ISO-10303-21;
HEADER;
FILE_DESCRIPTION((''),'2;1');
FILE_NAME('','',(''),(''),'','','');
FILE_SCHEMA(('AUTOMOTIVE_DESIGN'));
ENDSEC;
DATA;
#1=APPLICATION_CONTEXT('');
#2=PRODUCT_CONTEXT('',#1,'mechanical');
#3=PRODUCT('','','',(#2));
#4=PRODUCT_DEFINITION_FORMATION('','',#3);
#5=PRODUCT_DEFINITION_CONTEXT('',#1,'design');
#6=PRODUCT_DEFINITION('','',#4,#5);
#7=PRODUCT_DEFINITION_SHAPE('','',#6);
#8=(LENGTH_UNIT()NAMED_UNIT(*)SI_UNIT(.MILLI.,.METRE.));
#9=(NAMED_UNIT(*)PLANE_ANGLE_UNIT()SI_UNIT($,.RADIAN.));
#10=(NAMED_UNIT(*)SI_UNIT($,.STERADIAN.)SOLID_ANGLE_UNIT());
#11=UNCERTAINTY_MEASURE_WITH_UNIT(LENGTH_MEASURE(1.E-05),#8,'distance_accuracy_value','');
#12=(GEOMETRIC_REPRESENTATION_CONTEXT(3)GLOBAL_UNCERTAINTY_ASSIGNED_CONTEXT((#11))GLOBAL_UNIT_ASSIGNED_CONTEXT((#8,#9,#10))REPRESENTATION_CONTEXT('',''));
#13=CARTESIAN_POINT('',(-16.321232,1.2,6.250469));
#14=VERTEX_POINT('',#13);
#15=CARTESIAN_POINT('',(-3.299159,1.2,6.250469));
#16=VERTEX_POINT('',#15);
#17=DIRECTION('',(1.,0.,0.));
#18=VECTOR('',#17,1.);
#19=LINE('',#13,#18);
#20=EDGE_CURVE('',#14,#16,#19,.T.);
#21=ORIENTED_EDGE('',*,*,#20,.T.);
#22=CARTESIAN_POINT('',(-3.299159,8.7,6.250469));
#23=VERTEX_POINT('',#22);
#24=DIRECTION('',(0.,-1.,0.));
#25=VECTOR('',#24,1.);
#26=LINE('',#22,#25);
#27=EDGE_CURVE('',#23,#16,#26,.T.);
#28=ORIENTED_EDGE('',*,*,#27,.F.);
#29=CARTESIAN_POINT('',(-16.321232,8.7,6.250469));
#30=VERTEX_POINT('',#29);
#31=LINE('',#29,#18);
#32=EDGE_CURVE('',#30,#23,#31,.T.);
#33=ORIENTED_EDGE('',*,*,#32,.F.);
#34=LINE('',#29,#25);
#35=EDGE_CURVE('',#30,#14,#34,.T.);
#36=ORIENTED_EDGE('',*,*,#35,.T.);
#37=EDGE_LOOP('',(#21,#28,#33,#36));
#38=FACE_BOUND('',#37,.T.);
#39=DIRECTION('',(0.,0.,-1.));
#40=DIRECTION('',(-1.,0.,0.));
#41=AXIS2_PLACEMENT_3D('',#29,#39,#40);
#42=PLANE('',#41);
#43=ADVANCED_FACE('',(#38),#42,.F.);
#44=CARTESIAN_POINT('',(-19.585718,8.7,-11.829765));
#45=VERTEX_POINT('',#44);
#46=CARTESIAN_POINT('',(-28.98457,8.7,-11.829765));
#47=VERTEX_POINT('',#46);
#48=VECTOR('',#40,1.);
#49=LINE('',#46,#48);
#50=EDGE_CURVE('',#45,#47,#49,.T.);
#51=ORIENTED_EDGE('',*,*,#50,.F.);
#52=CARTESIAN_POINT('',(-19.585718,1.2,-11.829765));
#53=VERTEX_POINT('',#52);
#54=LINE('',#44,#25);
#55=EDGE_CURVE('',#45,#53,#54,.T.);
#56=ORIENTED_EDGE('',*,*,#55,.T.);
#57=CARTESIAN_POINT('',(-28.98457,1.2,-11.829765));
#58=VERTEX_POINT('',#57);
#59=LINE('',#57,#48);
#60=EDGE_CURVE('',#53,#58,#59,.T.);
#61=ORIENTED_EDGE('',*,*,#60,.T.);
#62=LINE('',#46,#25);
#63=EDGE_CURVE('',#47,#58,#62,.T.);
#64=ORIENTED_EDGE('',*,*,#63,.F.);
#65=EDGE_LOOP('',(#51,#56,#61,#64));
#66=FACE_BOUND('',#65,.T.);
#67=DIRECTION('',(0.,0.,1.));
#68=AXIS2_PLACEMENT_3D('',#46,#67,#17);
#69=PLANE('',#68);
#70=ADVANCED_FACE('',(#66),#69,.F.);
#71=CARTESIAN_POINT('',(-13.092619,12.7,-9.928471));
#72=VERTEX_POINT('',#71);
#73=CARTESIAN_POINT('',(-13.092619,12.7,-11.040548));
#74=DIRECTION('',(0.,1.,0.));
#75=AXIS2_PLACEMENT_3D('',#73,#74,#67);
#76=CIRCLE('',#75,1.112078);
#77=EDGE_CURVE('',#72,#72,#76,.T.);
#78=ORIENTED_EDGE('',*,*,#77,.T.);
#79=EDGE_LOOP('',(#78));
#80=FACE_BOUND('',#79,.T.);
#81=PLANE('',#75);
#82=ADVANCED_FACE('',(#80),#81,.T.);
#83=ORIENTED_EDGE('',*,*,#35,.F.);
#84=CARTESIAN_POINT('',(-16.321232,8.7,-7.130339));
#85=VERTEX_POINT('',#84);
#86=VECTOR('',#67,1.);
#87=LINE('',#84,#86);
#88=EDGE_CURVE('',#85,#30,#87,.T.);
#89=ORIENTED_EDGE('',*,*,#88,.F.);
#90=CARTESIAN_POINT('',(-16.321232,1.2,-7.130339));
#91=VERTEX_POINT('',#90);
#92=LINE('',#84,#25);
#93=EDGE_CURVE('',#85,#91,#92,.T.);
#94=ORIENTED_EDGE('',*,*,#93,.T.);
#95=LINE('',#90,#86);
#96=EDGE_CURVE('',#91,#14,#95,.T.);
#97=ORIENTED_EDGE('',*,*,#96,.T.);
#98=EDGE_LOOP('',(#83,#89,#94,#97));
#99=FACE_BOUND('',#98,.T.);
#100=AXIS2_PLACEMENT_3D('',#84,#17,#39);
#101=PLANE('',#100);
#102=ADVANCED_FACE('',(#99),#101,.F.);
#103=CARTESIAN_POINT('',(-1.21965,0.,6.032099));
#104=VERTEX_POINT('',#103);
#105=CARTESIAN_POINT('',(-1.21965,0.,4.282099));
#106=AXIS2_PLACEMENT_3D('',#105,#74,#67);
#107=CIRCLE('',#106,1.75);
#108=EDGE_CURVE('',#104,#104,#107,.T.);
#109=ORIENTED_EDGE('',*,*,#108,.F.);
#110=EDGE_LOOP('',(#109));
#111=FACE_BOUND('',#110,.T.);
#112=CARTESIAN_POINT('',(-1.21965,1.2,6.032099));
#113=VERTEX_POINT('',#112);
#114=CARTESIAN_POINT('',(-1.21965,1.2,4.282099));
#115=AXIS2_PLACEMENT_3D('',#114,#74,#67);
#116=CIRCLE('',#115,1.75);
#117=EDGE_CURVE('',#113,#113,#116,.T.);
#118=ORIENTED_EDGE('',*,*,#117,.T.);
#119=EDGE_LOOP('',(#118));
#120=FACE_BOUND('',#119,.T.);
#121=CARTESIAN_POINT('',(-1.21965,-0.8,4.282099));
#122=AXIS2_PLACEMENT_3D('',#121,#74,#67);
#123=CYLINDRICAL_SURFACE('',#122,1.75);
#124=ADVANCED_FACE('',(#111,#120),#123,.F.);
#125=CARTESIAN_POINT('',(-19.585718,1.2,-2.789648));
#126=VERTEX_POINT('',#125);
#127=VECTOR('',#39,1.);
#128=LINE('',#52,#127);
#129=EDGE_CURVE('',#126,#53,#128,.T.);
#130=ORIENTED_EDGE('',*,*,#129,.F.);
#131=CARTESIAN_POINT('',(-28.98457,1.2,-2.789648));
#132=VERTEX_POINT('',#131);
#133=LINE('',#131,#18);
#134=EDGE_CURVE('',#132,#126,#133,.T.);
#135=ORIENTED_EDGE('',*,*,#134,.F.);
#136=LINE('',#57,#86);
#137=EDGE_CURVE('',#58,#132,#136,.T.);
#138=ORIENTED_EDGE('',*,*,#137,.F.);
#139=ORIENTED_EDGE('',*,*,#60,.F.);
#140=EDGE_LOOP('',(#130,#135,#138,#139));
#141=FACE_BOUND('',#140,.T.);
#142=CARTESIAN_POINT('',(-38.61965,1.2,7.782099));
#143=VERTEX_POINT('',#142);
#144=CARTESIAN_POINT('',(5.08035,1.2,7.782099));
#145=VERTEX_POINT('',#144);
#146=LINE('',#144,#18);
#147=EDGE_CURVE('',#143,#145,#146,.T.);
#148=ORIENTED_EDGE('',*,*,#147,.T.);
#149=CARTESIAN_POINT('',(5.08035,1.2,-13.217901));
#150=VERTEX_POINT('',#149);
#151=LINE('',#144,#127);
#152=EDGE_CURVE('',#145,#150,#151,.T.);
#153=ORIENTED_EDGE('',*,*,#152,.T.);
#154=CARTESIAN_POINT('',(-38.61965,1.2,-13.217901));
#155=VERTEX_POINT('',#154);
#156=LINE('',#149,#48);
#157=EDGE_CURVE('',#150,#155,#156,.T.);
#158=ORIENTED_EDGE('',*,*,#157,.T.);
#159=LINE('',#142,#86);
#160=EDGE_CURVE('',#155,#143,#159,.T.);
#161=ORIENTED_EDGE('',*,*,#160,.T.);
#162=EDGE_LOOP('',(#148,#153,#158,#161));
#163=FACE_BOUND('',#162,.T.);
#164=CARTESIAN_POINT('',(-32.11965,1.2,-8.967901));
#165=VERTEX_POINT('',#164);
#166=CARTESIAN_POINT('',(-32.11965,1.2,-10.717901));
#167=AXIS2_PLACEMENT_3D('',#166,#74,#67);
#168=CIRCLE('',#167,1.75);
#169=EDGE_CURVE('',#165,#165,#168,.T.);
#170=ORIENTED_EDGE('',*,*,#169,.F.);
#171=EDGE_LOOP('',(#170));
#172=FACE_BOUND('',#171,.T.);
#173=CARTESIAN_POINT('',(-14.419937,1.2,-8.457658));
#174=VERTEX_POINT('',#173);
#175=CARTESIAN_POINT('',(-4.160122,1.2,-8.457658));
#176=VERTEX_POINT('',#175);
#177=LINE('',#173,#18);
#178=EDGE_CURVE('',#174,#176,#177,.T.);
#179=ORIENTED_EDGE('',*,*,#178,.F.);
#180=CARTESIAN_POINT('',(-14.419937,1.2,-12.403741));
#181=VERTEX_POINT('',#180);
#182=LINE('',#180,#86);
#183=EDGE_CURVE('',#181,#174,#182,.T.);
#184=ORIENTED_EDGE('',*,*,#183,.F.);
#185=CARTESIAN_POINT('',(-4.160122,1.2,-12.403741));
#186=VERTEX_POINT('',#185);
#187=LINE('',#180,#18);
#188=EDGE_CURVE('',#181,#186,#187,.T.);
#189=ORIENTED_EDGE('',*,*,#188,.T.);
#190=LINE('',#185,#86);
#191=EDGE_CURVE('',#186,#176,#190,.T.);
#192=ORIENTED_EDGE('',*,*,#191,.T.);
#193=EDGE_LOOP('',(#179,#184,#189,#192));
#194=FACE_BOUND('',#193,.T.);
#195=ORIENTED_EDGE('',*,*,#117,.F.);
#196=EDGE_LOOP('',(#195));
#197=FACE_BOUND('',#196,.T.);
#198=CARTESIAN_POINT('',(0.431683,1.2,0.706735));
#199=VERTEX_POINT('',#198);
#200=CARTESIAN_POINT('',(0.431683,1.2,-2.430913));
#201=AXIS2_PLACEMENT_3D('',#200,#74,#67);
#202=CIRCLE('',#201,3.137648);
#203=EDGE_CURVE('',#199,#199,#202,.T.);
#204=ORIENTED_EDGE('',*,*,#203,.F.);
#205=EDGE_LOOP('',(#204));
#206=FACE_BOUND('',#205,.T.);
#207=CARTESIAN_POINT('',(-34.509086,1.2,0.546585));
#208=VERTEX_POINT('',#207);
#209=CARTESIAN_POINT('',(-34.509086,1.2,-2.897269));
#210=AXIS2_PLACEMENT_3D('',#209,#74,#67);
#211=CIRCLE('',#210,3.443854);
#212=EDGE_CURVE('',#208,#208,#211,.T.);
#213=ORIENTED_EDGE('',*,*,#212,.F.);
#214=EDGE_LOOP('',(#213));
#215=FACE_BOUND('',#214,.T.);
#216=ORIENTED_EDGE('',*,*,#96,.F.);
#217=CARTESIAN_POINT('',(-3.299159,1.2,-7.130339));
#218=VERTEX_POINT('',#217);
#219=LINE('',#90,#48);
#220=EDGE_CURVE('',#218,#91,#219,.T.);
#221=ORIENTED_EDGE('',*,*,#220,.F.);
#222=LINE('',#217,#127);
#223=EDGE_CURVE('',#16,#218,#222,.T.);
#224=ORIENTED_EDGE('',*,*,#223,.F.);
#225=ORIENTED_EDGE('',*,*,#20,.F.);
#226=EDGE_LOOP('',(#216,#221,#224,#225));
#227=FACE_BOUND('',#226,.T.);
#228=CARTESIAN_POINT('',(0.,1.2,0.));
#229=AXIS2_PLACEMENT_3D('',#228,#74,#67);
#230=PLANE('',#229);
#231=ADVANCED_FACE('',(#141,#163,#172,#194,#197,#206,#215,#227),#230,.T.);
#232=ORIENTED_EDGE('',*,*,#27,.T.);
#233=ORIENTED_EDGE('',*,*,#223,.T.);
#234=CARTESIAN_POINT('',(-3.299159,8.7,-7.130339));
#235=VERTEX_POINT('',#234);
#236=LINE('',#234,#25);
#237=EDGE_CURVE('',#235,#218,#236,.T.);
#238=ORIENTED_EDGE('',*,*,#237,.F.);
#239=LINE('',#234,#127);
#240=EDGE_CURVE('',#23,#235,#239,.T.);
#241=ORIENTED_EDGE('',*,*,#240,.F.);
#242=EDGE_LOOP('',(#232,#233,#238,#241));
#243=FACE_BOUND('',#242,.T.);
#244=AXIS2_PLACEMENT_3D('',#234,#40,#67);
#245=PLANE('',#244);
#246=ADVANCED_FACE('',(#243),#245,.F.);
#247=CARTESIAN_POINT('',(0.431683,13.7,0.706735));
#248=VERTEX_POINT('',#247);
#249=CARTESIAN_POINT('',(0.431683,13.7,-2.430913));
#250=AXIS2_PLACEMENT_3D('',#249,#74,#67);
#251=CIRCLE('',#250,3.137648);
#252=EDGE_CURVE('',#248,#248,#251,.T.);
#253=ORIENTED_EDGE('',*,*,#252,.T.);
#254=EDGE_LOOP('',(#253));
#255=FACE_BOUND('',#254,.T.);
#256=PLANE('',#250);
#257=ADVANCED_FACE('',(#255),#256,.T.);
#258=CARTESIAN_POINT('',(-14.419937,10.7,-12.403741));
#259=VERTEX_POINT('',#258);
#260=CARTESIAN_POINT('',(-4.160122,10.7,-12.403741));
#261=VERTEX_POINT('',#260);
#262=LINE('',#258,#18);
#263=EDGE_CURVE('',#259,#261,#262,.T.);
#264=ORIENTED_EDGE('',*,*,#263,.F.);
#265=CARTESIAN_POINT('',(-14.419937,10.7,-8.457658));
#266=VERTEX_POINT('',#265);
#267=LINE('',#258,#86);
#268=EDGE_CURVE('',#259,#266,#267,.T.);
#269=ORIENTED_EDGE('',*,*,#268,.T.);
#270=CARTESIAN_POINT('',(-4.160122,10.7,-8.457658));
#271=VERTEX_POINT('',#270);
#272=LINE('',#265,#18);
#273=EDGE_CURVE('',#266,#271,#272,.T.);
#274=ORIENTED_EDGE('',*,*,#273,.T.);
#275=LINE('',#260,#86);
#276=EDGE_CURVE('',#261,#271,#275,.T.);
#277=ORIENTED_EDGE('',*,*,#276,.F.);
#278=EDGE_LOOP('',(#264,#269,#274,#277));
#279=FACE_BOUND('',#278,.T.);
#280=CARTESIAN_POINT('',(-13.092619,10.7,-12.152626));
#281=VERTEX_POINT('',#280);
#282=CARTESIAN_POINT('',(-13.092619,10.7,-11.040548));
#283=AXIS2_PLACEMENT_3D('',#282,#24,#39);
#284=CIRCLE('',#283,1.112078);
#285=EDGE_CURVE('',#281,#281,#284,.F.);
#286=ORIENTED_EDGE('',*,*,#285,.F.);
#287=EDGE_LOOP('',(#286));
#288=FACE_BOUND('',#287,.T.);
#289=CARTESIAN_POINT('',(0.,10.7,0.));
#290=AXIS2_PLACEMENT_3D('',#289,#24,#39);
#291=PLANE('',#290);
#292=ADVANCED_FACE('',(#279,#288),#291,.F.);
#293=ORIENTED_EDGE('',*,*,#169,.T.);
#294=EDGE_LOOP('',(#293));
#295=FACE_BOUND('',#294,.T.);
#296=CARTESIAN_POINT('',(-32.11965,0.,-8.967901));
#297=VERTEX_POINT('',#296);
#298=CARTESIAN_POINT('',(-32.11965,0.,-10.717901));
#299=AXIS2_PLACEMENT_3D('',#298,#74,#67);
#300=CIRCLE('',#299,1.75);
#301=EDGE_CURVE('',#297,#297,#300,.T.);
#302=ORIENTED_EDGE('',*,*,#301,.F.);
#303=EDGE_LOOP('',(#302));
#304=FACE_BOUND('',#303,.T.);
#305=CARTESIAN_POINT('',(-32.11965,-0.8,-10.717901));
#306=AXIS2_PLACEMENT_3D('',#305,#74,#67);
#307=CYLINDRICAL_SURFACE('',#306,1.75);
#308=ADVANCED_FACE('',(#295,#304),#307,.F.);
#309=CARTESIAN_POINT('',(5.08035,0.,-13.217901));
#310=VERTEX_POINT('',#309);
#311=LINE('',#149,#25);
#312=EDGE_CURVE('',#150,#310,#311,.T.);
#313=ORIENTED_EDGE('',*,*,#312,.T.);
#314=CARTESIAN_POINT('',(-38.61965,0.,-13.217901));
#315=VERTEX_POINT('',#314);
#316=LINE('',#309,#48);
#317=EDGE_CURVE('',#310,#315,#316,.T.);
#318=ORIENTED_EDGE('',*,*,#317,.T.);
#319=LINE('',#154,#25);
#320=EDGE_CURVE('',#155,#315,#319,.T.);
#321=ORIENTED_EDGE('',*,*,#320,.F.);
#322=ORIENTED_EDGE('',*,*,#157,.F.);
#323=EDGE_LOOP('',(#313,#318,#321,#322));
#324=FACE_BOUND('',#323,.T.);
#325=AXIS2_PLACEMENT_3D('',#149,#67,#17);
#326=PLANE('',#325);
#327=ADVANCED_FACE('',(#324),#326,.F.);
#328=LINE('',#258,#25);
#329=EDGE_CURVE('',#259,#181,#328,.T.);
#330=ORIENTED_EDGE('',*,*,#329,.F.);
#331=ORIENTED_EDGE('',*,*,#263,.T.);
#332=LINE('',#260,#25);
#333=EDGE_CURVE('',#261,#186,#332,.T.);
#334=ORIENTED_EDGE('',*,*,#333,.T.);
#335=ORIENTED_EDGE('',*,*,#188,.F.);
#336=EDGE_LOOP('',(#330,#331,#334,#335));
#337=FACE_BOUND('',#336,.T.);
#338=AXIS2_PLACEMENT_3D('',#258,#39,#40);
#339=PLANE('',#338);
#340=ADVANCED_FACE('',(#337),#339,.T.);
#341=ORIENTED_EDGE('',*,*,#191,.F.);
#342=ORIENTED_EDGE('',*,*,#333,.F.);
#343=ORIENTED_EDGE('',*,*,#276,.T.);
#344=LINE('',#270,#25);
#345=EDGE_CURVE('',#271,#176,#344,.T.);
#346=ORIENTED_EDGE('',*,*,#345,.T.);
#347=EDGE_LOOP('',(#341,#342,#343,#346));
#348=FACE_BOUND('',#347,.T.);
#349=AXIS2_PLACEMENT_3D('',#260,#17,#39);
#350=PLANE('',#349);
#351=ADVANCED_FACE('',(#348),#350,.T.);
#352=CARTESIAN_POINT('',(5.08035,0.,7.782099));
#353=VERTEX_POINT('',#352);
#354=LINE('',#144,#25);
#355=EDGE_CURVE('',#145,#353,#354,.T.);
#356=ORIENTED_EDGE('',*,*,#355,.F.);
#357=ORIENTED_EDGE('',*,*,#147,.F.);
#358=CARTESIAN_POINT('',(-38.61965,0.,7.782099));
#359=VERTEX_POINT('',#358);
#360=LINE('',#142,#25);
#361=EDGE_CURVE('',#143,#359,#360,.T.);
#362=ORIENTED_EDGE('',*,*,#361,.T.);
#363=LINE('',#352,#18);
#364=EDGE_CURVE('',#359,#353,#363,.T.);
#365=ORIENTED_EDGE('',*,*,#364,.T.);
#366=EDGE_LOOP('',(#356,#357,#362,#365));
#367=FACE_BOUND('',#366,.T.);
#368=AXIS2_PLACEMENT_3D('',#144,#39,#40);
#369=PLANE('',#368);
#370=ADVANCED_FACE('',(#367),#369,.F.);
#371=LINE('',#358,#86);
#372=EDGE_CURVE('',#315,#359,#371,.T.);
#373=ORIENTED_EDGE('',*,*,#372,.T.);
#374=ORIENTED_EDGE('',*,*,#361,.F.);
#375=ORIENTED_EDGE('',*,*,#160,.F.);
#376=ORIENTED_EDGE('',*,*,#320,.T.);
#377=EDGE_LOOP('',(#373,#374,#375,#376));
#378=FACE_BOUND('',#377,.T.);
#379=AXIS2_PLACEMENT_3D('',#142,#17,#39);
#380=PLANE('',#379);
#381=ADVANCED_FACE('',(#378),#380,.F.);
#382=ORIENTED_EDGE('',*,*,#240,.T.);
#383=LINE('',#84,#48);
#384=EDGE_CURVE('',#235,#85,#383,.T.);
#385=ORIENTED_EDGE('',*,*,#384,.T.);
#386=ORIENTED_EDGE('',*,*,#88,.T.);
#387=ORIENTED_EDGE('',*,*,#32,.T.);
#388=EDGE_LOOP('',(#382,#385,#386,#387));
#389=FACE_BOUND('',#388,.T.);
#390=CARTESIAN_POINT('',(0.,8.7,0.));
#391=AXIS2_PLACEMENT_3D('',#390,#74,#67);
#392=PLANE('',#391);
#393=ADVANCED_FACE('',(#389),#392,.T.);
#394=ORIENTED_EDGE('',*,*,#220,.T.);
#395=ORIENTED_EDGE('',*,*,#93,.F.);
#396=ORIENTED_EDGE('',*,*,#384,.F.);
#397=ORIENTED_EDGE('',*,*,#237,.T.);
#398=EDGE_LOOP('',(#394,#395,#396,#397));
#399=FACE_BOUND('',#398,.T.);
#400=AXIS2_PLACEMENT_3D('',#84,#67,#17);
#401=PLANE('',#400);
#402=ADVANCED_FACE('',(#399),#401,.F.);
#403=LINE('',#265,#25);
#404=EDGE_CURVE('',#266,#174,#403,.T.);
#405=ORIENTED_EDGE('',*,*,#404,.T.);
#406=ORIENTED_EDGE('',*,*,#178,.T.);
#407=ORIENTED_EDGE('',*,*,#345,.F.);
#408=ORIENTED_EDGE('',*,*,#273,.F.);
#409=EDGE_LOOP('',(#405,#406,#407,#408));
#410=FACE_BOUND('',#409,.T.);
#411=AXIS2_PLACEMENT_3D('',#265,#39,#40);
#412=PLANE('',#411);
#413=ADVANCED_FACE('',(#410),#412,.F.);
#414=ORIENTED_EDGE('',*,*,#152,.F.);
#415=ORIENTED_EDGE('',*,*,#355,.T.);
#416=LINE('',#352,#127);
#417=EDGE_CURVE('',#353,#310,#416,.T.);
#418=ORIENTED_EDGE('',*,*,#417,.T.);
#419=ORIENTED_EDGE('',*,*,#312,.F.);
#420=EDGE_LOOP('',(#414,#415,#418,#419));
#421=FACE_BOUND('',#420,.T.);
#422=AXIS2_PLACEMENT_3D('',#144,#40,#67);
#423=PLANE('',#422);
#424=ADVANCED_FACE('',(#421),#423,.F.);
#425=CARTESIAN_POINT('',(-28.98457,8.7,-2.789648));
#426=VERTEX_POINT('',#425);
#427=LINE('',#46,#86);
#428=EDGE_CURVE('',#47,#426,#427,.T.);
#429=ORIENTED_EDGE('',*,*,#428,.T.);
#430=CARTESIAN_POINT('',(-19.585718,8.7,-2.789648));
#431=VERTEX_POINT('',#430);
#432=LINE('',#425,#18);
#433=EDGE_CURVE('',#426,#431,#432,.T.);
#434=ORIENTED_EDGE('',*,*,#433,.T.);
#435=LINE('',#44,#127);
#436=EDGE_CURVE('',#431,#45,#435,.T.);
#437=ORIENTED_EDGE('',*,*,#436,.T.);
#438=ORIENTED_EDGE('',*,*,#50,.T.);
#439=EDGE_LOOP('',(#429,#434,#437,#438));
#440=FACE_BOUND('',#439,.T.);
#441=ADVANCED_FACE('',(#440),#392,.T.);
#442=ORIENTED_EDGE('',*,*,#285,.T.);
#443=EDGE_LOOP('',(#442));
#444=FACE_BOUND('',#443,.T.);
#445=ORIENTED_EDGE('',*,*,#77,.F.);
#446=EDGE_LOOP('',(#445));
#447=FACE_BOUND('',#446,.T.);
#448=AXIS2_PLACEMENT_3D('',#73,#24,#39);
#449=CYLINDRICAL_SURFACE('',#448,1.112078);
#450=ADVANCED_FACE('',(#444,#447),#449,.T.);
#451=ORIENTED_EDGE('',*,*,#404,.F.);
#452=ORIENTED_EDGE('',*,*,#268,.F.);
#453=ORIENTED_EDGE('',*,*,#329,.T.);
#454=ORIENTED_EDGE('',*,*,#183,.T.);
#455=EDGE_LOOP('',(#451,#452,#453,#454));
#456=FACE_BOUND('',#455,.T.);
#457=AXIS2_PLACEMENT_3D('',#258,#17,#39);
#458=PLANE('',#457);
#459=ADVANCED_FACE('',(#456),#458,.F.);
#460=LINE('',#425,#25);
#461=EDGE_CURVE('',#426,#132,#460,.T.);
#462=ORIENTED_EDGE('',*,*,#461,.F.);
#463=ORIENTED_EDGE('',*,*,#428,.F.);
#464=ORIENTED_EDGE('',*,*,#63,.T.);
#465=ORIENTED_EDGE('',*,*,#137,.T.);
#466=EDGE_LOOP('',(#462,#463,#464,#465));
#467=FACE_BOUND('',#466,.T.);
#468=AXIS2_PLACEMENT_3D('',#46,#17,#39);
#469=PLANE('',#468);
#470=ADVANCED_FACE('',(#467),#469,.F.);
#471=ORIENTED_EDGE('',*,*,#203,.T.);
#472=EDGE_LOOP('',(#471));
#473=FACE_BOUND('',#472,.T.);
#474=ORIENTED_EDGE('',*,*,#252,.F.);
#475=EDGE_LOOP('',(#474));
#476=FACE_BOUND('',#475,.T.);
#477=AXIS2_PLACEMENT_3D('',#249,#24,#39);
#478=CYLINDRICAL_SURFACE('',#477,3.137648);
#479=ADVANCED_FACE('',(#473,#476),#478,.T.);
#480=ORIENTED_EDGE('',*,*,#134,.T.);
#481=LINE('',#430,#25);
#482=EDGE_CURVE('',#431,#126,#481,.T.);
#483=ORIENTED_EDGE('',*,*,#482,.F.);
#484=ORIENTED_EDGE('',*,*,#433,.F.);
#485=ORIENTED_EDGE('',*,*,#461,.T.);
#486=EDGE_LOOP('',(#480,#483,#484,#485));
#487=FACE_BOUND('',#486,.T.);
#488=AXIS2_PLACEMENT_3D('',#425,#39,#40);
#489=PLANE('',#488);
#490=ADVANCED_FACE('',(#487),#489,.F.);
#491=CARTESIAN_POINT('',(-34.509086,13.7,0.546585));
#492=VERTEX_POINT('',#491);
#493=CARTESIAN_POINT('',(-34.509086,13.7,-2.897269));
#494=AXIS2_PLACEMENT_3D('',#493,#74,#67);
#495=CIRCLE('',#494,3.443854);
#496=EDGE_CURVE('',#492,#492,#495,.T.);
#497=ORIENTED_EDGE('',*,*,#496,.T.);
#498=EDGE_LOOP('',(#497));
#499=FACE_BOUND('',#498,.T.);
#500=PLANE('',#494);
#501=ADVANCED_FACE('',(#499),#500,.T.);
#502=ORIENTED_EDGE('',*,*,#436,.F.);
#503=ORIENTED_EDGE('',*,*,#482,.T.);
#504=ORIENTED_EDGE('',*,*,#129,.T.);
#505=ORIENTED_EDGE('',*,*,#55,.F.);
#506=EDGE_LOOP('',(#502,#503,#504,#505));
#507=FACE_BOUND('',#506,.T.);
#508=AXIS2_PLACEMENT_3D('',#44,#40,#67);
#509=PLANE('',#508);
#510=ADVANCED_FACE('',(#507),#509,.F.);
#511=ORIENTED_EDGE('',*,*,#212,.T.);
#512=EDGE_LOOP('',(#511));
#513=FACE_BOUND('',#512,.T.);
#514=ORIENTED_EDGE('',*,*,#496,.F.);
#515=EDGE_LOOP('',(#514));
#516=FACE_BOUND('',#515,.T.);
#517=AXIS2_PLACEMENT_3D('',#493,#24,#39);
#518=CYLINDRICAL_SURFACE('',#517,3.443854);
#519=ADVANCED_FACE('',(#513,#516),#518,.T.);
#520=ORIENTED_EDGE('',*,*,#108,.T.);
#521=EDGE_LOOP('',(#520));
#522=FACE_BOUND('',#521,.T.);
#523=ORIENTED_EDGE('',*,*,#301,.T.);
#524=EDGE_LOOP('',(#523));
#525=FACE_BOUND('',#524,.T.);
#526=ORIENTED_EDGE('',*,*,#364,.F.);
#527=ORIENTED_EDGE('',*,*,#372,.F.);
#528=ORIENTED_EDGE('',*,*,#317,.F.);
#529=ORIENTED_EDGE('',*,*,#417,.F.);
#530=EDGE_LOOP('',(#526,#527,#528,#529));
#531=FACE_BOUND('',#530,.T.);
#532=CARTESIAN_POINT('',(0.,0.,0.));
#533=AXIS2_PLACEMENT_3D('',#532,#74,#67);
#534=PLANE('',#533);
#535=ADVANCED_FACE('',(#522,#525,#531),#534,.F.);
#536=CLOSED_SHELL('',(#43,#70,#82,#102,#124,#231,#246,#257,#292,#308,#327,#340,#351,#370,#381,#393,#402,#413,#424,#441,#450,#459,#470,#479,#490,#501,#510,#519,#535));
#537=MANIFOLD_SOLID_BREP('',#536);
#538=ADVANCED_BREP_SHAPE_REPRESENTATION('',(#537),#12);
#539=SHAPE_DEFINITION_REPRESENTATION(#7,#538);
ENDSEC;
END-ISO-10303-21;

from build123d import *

# Parameters (mm, degrees)
SKETCH1_W           = 43.7
SKETCH1_H           = 21
BOSS_EXTRUDE1_DEPTH = 1.2
SKETCH2_R           = 3.443854009
SKETCH2_R_2         = 3.137647978
BOSS_EXTRUDE2_DEPTH = 12.5
SKETCH3_W           = 13.022072972
SKETCH3_H           = 13.380807765
SKETCH3_W_2         = 9.398851567
SKETCH3_H_2         = 9.040116774
BOSS_EXTRUDE4_DEPTH = 7.5
SKETCH4_W           = 10.259815069
SKETCH4_H           = 3.946082718
BOSS_EXTRUDE5_DEPTH = 9.5
SKETCH5_R           = 1.112077857
BOSS_EXTRUDE6_DEPTH = 2
SKETCH6_R           = 1.75
CUT_EXTRUDE1_DEPTH  = 2


with BuildPart() as part:
    # Sketch1 → Boss-Extrude1 (new body)
    with BuildSketch(Plane(origin=(0, 0, 0), x_dir=(1, 0, 0), z_dir=(0, 1, 0))):
        with Locations((-16.769650206, 2.717901235)):
            Rectangle(SKETCH1_W, SKETCH1_H)
    extrude(amount=BOSS_EXTRUDE1_DEPTH)

    # Sketch2 → Boss-Extrude2 (add)
    with BuildSketch(Plane(origin=(0, 1.2, 0), x_dir=(1, 0, 0), z_dir=(0, 1, 0))):
        with Locations((-34.509085701, 2.897268631)):
            Circle(SKETCH2_R)
        with Locations((0.4316831, 2.4309134)):
            Circle(SKETCH2_R_2)
    extrude(amount=BOSS_EXTRUDE2_DEPTH)

    # Sketch3 → Boss-Extrude4 (add)
    with BuildSketch(Plane(origin=(0, 1.2, 0), x_dir=(1, 0, 0), z_dir=(0, 1, 0))):
        with Locations((-9.810195229, 0.439935301)):
            Rectangle(SKETCH3_W, SKETCH3_H)
        with Locations((-24.285144112, 7.30970658)):
            Rectangle(SKETCH3_W_2, SKETCH3_H_2)
    extrude(amount=BOSS_EXTRUDE4_DEPTH)

    # Sketch4 → Boss-Extrude5 (add)
    with BuildSketch(Plane(origin=(0, 1.2, 0), x_dir=(1, 0, 0), z_dir=(0, 1, 0))):
        with Locations((-9.290029779, 10.430699276)):
            Rectangle(SKETCH4_W, SKETCH4_H)
    extrude(amount=BOSS_EXTRUDE5_DEPTH)

    # Sketch5 → Boss-Extrude6 (add)
    with BuildSketch(Plane(origin=(0, 10.7, 0), x_dir=(1, 0, 0), z_dir=(0, 1, 0))):
        with Locations((-13.092618581, 11.040548423)):
            Circle(SKETCH5_R)
    extrude(amount=BOSS_EXTRUDE6_DEPTH)

    # Sketch6 → Cut-Extrude1 (cut)
    with BuildSketch(Plane(origin=(0, 1.2, 0), x_dir=(1, 0, 0), z_dir=(0, 1, 0))):
        with Locations((-32.119650206, 10.717901235)):
            Circle(SKETCH6_R)
        with Locations((-1.219650206, -4.282098765)):
            Circle(SKETCH6_R)
    extrude(amount=-CUT_EXTRUDE1_DEPTH, mode=Mode.SUBTRACT)


solid = part.part
